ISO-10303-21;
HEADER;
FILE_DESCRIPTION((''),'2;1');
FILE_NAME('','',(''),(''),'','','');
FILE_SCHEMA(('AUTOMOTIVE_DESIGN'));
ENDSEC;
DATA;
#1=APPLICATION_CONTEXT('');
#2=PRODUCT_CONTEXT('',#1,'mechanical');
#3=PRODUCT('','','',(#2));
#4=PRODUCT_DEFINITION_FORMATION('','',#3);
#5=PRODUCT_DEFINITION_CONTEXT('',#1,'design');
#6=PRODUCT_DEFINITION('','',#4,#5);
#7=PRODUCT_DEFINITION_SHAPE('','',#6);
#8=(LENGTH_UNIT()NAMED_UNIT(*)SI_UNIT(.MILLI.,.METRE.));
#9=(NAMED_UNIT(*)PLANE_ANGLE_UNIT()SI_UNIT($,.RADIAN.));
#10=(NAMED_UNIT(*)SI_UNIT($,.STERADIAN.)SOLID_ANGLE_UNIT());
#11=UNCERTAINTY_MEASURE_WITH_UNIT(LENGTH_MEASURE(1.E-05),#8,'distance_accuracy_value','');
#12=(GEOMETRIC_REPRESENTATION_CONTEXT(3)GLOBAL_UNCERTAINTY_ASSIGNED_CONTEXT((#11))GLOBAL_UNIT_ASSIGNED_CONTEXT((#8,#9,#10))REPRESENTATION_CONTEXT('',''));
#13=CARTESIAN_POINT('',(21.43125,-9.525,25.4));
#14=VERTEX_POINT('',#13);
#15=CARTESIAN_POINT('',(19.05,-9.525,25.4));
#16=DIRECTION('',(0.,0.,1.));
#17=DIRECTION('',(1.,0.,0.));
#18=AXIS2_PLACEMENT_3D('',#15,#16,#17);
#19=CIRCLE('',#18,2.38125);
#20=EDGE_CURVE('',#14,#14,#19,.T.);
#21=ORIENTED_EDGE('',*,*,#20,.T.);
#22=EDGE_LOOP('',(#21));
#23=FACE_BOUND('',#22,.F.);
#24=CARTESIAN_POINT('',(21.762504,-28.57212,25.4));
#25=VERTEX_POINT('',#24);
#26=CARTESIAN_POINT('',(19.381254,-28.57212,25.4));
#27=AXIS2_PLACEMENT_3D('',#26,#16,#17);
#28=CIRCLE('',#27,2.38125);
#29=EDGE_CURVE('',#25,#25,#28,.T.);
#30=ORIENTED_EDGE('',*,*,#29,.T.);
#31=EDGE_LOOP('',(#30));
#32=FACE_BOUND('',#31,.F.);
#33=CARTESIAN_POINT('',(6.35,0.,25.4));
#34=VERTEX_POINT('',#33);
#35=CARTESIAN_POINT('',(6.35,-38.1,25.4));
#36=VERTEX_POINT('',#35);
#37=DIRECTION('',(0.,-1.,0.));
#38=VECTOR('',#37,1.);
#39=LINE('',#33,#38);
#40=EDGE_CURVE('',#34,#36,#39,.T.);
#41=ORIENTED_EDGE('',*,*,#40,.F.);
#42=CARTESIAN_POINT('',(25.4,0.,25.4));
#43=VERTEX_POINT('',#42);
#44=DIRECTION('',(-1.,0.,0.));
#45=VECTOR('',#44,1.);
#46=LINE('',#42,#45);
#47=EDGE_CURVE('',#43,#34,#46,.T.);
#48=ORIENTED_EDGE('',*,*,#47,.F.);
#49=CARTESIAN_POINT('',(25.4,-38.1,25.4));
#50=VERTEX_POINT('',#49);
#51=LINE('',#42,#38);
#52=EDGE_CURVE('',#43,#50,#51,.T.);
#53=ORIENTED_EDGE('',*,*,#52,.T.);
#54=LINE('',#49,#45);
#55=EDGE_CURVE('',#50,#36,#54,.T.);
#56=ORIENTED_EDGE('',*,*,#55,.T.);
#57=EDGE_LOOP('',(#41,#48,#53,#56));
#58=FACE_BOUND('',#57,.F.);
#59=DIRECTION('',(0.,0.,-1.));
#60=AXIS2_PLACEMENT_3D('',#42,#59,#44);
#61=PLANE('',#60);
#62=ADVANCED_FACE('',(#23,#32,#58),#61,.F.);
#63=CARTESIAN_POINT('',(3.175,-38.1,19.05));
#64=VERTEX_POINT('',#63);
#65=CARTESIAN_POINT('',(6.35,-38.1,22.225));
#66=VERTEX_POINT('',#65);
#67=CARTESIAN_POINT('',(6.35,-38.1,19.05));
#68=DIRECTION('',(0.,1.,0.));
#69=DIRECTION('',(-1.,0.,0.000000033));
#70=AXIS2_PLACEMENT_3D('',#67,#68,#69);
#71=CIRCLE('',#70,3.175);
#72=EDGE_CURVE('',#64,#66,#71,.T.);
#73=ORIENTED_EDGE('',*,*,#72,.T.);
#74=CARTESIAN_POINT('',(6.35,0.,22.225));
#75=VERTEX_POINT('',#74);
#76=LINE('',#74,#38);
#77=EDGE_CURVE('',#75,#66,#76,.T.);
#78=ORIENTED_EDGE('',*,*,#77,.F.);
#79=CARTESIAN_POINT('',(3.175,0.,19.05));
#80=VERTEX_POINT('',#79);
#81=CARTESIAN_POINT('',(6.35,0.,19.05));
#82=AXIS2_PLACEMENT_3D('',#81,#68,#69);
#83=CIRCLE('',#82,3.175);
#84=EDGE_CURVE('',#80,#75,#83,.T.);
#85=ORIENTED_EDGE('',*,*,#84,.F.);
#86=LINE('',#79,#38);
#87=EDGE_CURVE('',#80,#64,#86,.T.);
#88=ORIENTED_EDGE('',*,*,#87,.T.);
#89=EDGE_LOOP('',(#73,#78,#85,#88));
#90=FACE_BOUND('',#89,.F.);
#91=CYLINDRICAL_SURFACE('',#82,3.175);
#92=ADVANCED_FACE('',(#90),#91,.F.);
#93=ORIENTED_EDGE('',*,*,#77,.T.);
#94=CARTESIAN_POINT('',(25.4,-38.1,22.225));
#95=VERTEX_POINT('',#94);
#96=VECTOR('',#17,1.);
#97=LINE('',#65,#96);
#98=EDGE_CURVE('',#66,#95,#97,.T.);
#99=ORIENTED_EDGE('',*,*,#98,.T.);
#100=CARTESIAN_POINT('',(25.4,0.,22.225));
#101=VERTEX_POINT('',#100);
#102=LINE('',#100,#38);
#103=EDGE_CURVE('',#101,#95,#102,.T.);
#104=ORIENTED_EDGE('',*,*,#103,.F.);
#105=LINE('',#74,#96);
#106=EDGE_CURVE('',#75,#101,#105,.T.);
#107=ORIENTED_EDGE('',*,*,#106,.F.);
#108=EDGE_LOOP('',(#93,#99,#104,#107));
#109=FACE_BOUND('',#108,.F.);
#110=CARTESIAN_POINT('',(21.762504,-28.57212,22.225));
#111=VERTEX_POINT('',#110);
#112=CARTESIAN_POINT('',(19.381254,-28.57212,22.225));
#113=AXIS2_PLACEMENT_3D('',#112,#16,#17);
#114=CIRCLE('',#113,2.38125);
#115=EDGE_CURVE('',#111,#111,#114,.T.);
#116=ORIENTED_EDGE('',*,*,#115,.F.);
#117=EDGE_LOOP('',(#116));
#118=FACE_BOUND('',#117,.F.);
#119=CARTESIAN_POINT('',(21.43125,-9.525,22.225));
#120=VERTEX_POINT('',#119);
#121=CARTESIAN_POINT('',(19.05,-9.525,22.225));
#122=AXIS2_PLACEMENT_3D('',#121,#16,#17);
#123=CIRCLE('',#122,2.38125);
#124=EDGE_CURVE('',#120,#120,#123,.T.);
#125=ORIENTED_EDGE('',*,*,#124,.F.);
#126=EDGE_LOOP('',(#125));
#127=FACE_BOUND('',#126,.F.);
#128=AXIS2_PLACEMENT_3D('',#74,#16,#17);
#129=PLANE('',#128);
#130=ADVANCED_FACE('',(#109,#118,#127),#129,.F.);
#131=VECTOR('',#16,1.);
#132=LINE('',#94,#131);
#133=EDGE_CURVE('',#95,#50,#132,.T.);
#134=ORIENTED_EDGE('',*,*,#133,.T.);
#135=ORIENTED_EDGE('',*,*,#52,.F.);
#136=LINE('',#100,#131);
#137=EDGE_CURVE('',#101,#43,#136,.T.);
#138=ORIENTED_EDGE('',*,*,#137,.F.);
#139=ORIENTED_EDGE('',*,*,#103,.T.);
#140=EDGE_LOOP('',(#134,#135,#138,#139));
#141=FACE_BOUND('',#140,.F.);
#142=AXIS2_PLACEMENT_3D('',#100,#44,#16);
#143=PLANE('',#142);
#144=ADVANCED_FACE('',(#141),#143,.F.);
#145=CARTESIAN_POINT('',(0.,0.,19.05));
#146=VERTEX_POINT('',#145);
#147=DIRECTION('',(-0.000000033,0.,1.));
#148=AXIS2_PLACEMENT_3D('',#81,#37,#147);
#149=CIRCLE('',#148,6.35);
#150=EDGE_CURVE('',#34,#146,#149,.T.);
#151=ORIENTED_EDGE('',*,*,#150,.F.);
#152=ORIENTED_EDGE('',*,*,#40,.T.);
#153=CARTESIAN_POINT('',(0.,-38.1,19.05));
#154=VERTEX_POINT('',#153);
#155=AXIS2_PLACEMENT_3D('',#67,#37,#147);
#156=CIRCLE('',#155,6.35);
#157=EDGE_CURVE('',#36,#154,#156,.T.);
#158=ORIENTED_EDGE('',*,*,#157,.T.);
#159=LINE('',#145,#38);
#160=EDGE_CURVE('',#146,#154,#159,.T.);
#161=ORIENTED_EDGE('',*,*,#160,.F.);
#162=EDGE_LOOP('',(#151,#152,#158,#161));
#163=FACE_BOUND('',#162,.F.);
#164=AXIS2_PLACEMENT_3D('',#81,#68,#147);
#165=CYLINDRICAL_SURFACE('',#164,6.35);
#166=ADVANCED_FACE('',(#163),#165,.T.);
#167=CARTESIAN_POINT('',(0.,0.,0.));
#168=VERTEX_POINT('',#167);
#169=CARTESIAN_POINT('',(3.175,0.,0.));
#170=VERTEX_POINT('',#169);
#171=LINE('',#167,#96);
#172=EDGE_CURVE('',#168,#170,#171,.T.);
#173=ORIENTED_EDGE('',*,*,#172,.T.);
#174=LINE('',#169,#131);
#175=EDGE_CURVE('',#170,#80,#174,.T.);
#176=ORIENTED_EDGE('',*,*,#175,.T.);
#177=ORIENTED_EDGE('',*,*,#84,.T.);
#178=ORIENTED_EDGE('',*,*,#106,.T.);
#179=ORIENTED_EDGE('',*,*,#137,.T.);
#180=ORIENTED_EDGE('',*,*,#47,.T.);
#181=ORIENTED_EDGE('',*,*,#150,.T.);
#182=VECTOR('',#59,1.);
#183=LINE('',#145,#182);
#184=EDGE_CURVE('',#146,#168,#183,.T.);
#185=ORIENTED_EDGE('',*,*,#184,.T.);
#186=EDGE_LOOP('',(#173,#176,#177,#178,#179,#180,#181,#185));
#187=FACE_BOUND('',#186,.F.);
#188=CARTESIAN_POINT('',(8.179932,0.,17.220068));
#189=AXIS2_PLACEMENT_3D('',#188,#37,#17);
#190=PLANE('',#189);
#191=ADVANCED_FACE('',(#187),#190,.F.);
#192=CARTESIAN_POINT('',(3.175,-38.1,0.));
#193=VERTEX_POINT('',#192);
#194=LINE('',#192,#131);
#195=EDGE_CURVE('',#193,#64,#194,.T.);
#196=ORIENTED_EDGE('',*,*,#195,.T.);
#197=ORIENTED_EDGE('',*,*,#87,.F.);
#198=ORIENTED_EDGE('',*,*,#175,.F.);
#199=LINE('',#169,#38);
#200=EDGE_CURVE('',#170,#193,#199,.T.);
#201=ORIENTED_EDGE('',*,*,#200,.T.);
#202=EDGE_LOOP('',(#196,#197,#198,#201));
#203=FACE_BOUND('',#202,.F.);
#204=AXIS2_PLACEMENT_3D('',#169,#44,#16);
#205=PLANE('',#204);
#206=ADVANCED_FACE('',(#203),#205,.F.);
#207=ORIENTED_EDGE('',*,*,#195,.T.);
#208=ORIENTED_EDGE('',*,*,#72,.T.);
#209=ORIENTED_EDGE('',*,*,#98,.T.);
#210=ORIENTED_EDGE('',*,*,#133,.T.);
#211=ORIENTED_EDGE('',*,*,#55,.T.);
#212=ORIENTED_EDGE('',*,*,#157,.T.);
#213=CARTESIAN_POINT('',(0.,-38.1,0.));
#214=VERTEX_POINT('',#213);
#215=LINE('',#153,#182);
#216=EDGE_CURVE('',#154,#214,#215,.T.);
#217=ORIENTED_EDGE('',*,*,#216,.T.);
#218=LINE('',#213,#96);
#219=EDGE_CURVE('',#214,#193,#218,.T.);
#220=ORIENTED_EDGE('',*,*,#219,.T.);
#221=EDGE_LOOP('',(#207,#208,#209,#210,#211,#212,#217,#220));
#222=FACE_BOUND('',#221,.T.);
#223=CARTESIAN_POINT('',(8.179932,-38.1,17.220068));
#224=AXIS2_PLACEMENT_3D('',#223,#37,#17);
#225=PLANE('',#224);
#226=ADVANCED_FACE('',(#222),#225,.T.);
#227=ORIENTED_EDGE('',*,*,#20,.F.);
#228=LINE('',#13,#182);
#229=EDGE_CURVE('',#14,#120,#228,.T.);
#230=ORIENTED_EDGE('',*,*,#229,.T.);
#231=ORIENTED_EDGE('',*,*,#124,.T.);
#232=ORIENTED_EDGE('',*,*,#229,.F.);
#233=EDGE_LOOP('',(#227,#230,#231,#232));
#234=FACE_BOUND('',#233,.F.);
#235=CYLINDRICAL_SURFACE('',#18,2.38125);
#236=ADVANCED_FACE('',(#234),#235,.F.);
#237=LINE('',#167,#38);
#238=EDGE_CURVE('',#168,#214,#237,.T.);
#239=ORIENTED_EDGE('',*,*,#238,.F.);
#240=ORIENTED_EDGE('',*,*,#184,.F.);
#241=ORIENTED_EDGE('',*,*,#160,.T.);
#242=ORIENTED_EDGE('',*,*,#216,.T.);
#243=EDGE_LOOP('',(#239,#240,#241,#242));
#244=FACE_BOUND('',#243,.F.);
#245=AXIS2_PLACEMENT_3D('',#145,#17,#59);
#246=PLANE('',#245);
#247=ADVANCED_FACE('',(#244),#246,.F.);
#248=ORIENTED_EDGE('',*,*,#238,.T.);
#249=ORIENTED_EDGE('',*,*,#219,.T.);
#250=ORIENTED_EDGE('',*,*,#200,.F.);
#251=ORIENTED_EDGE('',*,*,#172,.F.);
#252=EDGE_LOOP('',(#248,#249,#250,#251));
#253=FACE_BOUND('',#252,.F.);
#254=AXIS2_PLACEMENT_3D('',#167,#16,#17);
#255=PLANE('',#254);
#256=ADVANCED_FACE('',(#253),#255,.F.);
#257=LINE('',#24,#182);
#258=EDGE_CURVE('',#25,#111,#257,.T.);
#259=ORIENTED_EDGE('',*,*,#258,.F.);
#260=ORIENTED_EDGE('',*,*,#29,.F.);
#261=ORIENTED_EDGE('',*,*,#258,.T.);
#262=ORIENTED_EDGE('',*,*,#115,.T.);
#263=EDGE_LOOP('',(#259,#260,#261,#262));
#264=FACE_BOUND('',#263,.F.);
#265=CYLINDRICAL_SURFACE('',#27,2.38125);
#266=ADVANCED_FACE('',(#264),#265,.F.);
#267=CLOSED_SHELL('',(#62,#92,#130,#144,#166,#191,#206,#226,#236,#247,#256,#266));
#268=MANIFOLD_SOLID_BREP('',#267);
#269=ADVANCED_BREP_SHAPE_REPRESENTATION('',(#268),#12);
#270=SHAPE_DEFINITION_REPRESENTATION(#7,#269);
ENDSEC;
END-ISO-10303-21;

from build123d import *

# Parameters (mm, degrees)
F1_DEPTH = 38.1
F2_R     = 2.38125
F3_DEPTH = 25.4


with BuildPart() as f1:
    # F0 (on Front) → F1 (new body)
    with BuildSketch(Plane.XZ):
        with BuildLine():
            Line((0, 19.05), (0, 0))
            Line((0, 0), (3.175, 0))
            Line((3.175, 0), (3.175, 19.05))
            ThreePointArc((3.175, 19.05), (4.104936, 21.295064), (6.35, 22.225))
            Line((6.35, 22.225), (25.4, 22.225))
            Line((25.4, 22.225), (25.4, 25.4))
            Line((25.4, 25.4), (6.35, 25.4))
            ThreePointArc((6.35, 25.4), (1.859872, 23.540128), (0, 19.05))
        make_face()
    extrude(amount=F1_DEPTH)

    # F2 (on face) → F3 (cut)
    with BuildSketch(Plane.XY.offset(25.4)):
        with Locations((19.05, -9.525)):
            Circle(F2_R)
        with Locations((19.381254, -28.57212)):
            Circle(F2_R)
    extrude(amount=-F3_DEPTH, mode=Mode.SUBTRACT)


solid = f1.part
